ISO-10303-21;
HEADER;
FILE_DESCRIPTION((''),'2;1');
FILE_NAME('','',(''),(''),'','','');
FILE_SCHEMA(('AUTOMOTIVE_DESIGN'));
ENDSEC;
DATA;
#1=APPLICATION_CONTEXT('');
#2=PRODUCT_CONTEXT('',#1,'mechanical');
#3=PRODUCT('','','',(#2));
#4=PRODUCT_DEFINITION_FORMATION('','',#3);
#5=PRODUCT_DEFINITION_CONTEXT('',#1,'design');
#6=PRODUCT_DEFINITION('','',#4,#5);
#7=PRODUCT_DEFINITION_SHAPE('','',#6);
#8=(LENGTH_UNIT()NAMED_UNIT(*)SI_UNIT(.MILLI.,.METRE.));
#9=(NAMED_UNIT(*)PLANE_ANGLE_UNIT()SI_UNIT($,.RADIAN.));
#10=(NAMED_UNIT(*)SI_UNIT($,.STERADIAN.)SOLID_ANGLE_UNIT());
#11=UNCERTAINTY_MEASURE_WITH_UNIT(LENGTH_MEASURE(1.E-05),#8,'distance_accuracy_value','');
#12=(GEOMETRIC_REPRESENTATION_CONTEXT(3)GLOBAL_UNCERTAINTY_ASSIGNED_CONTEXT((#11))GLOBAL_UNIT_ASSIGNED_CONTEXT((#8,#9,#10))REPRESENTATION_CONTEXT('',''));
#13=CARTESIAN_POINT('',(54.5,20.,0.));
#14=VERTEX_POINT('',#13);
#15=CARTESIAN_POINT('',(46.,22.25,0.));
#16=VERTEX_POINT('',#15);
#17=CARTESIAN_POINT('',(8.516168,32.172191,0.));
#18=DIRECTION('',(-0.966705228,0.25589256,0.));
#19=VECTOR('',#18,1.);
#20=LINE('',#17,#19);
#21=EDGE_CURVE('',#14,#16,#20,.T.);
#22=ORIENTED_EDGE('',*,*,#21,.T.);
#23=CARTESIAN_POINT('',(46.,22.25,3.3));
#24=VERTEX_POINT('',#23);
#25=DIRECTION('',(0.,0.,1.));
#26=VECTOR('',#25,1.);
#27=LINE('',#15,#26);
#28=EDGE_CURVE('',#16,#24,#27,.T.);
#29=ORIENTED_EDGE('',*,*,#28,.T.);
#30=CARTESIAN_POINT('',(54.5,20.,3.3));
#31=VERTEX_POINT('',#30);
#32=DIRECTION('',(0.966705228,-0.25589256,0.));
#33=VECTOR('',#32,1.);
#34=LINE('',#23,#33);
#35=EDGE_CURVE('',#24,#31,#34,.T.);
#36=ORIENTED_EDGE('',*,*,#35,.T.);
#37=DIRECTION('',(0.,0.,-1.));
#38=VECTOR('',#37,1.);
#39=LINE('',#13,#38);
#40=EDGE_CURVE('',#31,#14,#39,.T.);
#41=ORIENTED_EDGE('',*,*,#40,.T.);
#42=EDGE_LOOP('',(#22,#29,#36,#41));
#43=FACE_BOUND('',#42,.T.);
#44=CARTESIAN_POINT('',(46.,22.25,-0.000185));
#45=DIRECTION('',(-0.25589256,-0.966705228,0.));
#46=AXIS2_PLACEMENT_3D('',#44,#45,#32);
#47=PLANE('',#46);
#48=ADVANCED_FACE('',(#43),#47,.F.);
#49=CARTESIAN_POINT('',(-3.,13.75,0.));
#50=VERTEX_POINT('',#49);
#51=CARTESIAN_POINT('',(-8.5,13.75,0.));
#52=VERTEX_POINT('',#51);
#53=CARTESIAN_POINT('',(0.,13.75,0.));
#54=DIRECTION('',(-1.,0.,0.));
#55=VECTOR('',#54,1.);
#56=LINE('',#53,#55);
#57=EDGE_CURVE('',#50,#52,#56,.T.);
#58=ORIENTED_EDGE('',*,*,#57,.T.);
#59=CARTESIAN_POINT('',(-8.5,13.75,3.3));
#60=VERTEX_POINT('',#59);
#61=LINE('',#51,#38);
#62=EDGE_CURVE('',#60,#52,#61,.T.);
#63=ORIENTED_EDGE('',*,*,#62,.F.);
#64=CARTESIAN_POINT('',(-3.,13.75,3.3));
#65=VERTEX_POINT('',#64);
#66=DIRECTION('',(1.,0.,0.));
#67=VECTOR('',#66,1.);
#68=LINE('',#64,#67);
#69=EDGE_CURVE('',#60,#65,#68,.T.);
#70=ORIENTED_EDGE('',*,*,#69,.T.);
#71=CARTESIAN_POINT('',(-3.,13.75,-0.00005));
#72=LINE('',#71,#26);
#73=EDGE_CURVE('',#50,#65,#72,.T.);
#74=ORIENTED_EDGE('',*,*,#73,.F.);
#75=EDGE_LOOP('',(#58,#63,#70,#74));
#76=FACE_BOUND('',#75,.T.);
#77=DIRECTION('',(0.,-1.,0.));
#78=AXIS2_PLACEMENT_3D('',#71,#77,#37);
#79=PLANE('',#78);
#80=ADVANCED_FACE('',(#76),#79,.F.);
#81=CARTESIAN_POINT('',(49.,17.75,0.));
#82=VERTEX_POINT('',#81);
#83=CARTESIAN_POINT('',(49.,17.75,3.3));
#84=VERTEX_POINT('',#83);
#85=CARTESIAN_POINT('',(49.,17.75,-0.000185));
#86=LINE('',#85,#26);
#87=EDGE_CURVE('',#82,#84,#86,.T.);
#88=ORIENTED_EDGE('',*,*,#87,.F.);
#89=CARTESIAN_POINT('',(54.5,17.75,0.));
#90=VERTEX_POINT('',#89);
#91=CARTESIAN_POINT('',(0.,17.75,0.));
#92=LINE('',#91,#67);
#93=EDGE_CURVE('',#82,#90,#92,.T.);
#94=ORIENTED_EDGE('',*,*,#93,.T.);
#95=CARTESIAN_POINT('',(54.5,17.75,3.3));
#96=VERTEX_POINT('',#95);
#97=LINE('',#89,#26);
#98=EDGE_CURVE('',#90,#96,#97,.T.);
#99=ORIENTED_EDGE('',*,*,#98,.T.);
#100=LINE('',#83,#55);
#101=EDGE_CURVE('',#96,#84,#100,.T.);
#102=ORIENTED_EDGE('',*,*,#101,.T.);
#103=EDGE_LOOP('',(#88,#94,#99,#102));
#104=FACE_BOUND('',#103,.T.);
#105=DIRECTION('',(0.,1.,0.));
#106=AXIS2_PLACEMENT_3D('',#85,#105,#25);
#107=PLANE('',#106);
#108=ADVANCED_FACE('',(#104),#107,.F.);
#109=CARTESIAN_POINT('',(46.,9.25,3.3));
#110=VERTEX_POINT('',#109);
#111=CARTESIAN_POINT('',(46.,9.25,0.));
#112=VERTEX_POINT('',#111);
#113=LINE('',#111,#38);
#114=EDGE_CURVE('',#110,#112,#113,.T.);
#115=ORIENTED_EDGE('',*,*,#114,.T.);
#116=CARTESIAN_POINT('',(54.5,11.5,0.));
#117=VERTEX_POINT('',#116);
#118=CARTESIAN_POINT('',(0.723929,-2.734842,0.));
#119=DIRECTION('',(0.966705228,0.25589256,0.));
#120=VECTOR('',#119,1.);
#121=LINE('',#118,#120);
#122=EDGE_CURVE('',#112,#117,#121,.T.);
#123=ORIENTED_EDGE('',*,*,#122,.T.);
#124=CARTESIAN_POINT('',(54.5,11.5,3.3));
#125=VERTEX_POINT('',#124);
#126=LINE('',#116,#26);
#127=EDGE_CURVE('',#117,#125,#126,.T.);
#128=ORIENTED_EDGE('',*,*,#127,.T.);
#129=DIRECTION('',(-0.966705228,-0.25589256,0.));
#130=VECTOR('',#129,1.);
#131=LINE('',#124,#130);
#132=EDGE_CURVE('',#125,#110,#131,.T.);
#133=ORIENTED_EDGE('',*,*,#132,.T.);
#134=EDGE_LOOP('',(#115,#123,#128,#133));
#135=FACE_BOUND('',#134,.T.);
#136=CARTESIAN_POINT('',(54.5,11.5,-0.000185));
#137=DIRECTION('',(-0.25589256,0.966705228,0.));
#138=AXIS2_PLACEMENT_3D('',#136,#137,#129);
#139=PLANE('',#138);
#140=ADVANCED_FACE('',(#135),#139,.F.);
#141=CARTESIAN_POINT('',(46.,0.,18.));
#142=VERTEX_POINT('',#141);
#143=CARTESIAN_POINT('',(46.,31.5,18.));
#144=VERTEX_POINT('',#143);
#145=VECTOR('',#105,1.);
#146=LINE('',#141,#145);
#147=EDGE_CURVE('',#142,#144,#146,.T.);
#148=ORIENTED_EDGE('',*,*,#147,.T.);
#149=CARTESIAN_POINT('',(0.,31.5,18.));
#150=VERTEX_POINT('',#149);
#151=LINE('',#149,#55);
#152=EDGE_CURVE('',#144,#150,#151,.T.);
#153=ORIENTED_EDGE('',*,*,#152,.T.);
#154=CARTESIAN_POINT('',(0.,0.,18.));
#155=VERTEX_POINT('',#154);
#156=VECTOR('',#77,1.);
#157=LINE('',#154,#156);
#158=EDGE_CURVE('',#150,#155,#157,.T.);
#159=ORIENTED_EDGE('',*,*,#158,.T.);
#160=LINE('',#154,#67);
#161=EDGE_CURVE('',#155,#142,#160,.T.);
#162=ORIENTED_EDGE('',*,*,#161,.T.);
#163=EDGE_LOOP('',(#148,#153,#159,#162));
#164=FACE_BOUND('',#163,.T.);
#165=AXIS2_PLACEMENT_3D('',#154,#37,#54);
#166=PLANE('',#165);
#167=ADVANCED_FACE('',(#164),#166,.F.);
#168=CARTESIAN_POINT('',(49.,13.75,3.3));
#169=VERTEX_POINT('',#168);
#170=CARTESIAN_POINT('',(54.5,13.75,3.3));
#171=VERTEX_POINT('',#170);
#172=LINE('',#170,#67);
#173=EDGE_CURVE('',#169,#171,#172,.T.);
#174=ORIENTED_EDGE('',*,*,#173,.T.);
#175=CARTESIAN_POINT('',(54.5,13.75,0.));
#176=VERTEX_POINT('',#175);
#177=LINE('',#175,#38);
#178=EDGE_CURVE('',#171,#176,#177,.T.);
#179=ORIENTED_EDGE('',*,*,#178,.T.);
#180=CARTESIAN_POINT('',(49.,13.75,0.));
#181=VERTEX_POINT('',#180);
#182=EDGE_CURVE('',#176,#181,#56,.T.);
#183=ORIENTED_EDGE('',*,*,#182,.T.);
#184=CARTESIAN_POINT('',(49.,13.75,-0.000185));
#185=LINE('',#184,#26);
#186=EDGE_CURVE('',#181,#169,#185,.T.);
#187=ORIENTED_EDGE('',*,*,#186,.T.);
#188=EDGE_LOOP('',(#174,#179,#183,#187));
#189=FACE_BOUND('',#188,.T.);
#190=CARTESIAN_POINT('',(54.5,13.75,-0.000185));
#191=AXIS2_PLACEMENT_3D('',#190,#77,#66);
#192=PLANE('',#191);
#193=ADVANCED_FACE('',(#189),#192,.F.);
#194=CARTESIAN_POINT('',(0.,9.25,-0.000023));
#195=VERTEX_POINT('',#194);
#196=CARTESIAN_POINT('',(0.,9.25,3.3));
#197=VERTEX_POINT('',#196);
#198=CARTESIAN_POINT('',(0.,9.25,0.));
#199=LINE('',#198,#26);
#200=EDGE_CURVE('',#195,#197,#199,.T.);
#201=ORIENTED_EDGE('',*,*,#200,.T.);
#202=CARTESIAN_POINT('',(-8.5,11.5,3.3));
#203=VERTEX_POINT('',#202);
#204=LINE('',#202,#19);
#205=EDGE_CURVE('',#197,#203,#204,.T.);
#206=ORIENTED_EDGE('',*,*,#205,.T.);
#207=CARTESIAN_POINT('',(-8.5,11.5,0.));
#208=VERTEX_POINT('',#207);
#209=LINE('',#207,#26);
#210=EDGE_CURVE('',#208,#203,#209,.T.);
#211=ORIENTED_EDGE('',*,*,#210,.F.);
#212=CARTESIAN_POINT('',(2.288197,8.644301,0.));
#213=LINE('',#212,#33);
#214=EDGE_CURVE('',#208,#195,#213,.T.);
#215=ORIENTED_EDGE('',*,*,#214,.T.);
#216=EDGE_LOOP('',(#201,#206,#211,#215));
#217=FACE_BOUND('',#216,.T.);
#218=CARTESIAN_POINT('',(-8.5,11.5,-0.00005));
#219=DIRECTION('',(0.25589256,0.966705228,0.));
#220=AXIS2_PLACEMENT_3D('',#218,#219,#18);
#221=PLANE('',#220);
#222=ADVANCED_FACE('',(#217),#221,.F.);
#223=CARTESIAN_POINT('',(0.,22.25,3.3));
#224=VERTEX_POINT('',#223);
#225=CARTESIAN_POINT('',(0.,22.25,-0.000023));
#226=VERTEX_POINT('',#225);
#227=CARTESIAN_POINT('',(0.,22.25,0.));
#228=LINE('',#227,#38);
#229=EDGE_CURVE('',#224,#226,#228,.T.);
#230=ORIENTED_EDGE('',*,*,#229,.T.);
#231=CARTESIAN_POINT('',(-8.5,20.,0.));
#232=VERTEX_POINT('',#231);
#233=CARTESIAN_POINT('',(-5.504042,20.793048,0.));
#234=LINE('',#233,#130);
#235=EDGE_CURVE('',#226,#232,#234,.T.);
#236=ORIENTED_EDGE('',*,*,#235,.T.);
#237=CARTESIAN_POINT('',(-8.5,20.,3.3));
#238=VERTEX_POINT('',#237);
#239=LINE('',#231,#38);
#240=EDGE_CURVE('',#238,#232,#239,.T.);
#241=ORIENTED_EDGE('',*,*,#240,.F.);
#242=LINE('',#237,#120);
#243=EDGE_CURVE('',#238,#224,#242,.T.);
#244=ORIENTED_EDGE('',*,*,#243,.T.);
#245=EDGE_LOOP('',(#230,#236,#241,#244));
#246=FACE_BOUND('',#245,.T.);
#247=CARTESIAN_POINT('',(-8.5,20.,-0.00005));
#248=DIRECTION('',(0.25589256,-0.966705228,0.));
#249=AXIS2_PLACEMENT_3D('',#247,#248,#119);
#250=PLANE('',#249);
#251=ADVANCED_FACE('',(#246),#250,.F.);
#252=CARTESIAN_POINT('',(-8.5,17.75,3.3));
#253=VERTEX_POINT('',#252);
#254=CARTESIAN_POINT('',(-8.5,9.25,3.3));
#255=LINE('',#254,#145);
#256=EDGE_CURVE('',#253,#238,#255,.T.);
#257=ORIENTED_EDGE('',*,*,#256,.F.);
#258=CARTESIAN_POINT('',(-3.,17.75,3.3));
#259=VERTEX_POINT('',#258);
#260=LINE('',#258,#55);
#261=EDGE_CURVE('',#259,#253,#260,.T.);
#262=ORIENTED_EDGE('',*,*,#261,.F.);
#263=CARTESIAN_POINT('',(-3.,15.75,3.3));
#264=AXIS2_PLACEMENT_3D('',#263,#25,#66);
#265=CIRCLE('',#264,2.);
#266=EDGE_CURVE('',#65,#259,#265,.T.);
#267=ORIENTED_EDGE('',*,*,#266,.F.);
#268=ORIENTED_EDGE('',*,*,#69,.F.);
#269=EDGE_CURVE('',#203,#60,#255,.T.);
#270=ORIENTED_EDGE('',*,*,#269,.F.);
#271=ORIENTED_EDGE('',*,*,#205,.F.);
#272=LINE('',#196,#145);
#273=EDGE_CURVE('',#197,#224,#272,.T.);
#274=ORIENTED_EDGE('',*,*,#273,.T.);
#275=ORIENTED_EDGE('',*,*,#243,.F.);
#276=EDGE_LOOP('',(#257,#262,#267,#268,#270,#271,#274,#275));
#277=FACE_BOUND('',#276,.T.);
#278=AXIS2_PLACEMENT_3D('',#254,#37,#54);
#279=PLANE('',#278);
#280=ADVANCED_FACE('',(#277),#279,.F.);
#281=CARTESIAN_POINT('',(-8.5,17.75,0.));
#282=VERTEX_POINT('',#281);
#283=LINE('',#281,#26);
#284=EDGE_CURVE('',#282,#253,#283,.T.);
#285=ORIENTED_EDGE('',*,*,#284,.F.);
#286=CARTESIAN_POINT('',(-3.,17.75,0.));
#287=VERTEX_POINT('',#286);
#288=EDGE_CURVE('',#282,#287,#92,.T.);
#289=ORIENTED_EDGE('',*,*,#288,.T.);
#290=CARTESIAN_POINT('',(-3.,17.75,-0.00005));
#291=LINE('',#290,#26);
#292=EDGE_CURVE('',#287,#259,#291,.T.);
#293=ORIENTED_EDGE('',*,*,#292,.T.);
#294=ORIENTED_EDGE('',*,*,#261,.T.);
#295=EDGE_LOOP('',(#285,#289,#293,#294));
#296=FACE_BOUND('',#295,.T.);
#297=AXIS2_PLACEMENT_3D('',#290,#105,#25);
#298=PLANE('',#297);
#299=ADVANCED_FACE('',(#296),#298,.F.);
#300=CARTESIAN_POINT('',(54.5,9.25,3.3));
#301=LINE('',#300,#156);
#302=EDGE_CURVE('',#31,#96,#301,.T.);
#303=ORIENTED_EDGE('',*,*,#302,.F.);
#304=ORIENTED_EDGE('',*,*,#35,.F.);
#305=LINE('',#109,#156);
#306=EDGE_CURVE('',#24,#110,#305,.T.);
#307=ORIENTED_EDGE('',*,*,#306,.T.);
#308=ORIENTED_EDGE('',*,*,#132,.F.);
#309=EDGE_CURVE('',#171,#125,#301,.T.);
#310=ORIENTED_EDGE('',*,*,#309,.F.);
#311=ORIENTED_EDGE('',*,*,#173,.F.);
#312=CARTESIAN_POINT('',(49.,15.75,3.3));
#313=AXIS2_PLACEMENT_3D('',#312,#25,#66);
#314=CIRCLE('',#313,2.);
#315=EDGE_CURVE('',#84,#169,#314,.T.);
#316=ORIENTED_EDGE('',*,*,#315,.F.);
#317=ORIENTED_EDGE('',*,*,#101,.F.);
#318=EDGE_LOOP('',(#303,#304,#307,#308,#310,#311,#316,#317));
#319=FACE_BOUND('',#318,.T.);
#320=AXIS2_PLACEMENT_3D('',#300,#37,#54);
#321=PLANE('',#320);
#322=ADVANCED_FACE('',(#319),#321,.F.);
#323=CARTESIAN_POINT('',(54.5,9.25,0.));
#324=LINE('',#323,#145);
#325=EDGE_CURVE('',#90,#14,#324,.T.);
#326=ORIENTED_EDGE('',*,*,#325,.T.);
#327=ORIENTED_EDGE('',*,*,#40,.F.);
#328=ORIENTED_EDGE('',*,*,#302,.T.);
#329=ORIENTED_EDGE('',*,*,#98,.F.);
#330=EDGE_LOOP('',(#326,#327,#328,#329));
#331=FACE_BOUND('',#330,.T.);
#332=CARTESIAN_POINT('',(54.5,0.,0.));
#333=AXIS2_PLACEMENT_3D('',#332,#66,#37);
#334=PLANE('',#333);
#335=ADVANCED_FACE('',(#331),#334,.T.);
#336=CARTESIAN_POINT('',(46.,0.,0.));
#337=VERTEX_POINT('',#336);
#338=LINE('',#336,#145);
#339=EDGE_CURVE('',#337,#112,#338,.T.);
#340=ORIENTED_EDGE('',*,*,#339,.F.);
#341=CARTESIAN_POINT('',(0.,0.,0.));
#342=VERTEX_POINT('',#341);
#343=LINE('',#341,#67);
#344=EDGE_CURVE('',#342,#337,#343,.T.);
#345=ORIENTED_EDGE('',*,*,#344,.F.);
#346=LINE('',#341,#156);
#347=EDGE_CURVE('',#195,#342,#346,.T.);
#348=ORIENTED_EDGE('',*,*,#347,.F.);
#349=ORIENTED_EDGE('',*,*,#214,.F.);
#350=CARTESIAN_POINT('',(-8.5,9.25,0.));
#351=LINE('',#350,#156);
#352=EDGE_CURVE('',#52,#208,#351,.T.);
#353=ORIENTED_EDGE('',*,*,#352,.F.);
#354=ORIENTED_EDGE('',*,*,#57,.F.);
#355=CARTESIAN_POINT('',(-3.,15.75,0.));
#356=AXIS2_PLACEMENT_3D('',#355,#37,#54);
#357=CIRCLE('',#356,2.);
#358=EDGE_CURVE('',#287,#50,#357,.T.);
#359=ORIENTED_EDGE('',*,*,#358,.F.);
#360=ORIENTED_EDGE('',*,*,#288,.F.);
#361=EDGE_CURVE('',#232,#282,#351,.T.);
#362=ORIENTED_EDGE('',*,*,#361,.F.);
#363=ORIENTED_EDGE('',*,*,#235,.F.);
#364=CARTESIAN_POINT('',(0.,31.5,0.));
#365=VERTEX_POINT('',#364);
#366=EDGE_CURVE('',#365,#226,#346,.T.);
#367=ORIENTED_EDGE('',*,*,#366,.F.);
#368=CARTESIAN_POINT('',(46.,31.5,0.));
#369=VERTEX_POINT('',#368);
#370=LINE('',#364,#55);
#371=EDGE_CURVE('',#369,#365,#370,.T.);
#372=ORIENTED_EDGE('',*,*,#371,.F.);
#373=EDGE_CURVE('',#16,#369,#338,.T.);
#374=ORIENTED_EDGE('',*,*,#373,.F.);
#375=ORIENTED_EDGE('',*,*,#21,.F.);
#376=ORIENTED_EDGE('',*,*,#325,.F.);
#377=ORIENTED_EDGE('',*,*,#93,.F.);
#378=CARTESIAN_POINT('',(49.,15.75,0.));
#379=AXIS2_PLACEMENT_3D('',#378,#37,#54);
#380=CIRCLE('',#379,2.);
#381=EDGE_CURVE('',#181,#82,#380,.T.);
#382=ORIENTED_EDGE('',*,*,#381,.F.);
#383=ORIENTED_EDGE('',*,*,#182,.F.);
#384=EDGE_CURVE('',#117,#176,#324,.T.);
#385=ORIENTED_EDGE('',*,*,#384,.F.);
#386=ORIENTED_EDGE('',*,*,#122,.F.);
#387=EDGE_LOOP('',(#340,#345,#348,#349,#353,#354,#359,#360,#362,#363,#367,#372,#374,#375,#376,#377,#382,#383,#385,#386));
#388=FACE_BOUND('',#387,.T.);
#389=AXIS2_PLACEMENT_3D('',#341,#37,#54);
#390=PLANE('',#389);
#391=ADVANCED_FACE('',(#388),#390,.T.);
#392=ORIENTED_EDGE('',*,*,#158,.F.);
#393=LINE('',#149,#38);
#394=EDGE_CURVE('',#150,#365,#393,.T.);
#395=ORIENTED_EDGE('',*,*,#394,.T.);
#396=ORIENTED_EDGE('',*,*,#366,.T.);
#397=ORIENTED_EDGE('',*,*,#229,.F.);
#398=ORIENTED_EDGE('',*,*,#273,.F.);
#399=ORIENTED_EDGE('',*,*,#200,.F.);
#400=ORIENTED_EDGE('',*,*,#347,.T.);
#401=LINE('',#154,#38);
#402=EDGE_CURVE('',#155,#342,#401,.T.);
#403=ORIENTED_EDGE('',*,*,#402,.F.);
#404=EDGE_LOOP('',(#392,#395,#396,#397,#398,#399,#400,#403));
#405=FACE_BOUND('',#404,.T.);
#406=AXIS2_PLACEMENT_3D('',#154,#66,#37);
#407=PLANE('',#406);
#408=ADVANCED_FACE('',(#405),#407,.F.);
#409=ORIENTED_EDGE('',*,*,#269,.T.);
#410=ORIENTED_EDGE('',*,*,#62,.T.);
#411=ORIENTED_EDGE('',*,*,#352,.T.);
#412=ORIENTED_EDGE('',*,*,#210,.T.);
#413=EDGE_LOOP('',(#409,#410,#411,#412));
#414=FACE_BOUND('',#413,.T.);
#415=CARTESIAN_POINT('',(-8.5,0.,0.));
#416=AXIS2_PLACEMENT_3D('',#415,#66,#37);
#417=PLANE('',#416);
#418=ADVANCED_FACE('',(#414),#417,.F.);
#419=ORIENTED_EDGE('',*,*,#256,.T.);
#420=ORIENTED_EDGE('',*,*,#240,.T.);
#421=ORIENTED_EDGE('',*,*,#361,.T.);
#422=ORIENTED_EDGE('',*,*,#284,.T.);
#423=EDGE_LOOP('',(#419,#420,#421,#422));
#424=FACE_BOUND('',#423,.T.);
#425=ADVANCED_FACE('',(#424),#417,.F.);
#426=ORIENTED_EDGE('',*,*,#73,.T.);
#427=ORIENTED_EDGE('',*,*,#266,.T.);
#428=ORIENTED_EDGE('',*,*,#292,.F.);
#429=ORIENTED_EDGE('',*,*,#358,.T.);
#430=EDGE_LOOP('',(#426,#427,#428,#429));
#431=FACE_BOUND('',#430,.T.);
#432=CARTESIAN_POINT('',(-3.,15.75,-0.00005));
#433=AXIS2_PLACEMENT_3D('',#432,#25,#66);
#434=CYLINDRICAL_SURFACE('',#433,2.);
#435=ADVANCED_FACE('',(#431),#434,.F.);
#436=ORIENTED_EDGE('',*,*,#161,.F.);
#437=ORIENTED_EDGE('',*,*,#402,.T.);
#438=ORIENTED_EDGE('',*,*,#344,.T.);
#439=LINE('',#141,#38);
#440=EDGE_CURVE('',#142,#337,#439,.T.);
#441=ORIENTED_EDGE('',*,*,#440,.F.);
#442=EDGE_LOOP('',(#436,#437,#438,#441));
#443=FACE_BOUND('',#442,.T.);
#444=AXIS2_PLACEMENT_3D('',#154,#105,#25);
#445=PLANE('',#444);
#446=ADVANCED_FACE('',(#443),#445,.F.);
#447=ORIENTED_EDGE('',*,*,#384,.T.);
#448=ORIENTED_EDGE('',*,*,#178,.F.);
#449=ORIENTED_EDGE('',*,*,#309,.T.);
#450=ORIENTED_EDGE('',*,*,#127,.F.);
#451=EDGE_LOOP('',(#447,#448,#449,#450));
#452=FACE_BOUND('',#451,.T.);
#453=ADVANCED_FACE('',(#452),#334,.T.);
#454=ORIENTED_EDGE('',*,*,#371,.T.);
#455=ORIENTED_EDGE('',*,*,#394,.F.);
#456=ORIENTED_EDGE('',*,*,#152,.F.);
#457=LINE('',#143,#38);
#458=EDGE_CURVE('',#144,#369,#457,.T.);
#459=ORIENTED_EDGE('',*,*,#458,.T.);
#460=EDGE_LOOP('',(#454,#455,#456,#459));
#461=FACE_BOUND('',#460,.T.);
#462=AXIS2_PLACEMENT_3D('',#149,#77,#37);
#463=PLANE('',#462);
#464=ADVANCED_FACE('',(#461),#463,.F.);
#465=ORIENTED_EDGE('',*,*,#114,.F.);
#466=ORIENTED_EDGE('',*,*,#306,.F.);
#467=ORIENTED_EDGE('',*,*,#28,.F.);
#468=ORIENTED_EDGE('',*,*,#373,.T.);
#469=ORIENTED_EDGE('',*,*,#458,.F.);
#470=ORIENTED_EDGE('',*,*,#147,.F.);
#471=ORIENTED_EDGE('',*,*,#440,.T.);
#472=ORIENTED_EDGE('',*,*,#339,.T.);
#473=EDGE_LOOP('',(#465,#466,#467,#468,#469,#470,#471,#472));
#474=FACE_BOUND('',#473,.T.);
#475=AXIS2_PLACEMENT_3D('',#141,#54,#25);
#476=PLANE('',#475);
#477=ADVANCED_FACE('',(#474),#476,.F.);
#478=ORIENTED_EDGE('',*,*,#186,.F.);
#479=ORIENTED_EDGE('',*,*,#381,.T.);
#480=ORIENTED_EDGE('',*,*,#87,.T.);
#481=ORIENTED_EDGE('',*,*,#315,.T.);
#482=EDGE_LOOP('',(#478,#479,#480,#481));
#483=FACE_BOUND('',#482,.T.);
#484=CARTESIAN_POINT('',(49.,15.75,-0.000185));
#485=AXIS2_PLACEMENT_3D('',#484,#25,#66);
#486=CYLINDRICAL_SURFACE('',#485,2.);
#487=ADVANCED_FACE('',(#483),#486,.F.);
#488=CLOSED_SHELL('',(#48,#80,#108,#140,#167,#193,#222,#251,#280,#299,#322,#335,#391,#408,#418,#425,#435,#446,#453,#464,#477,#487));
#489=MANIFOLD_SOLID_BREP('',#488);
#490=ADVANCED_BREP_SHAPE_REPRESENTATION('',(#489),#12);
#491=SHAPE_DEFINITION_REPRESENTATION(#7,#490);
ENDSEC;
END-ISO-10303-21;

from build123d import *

# Parameters (mm, degrees)
SKETCH_1_W          = 46
SKETCH_1_H          = 31.5
EXTRUDE_1_DEPTH     = 18
SKETCH_3_W          = 3.3
SKETCH_3_H          = 13
EXTRUDE_2_DEPTH     = 8.5
SKETCH_4_W          = 3.3
SKETCH_4_H          = 13
EXTRUDE_3_DEPTH     = 8.5
CUT_EXTRUDE_1_DEPTH = 65.642014201
CUT_EXTRUDE_2_DEPTH = 65.642014201


with BuildPart() as part:
    # 草图1 → 凸台-拉伸1 (new body)
    with BuildSketch(Plane.XY):
        with Locations((23, 15.75)):
            Rectangle(SKETCH_1_W, SKETCH_1_H)
    extrude(amount=EXTRUDE_1_DEPTH)

    # 草图3 → 凸台-拉伸2 (add)
    with BuildSketch(Plane.ZY):
        with Locations((1.65, 15.75)):
            Rectangle(SKETCH_3_W, SKETCH_3_H)
    extrude(amount=EXTRUDE_2_DEPTH)

    # 草图4 → 凸台-拉伸3 (add)
    with BuildSketch(Plane(origin=(46, 0, 0), x_dir=(0, 0, -1), z_dir=(1, 0, 0))):
        with Locations((-1.65, 15.75)):
            Rectangle(SKETCH_4_W, SKETCH_4_H)
    extrude(amount=EXTRUDE_3_DEPTH)

    # 草图5 → 切除-拉伸1 (cut, through all)
    with BuildSketch(Plane.XY.offset(3.3)):
        Polygon((-8.5, 22.25), (-8.5, 20), (0, 22.25), align=None)
        Polygon((-8.5, 11.5), (0, 9.25), (-8.5, 9.25), align=None)
        with BuildLine():
            Line((-3, 17.75), (-8.5, 17.75))
            Line((-8.5, 17.75), (-8.5, 13.75))
            Line((-8.5, 13.75), (-3, 13.75))
            ThreePointArc((-3, 13.75), (-1, 15.75), (-3, 17.75))
        make_face()
    extrude(amount=-CUT_EXTRUDE_1_DEPTH, mode=Mode.SUBTRACT)

    # 草图6 → 切除-拉伸2 (cut, through all)
    with BuildSketch(Plane.XY.offset(3.3)):
        Polygon((46, 22.25), (54.5, 20), (54.5, 22.25), align=None)
        Polygon((46, 9.25), (54.5, 9.25), (54.5, 11.5), align=None)
        with BuildLine():
            Line((49, 17.75), (54.5, 17.75))
            Line((54.5, 17.75), (54.5, 13.75))
            Line((54.5, 13.75), (49, 13.75))
            ThreePointArc((49, 13.75), (47, 15.75), (49, 17.75))
        make_face()
    extrude(amount=-CUT_EXTRUDE_2_DEPTH, mode=Mode.SUBTRACT)


solid = part.part
